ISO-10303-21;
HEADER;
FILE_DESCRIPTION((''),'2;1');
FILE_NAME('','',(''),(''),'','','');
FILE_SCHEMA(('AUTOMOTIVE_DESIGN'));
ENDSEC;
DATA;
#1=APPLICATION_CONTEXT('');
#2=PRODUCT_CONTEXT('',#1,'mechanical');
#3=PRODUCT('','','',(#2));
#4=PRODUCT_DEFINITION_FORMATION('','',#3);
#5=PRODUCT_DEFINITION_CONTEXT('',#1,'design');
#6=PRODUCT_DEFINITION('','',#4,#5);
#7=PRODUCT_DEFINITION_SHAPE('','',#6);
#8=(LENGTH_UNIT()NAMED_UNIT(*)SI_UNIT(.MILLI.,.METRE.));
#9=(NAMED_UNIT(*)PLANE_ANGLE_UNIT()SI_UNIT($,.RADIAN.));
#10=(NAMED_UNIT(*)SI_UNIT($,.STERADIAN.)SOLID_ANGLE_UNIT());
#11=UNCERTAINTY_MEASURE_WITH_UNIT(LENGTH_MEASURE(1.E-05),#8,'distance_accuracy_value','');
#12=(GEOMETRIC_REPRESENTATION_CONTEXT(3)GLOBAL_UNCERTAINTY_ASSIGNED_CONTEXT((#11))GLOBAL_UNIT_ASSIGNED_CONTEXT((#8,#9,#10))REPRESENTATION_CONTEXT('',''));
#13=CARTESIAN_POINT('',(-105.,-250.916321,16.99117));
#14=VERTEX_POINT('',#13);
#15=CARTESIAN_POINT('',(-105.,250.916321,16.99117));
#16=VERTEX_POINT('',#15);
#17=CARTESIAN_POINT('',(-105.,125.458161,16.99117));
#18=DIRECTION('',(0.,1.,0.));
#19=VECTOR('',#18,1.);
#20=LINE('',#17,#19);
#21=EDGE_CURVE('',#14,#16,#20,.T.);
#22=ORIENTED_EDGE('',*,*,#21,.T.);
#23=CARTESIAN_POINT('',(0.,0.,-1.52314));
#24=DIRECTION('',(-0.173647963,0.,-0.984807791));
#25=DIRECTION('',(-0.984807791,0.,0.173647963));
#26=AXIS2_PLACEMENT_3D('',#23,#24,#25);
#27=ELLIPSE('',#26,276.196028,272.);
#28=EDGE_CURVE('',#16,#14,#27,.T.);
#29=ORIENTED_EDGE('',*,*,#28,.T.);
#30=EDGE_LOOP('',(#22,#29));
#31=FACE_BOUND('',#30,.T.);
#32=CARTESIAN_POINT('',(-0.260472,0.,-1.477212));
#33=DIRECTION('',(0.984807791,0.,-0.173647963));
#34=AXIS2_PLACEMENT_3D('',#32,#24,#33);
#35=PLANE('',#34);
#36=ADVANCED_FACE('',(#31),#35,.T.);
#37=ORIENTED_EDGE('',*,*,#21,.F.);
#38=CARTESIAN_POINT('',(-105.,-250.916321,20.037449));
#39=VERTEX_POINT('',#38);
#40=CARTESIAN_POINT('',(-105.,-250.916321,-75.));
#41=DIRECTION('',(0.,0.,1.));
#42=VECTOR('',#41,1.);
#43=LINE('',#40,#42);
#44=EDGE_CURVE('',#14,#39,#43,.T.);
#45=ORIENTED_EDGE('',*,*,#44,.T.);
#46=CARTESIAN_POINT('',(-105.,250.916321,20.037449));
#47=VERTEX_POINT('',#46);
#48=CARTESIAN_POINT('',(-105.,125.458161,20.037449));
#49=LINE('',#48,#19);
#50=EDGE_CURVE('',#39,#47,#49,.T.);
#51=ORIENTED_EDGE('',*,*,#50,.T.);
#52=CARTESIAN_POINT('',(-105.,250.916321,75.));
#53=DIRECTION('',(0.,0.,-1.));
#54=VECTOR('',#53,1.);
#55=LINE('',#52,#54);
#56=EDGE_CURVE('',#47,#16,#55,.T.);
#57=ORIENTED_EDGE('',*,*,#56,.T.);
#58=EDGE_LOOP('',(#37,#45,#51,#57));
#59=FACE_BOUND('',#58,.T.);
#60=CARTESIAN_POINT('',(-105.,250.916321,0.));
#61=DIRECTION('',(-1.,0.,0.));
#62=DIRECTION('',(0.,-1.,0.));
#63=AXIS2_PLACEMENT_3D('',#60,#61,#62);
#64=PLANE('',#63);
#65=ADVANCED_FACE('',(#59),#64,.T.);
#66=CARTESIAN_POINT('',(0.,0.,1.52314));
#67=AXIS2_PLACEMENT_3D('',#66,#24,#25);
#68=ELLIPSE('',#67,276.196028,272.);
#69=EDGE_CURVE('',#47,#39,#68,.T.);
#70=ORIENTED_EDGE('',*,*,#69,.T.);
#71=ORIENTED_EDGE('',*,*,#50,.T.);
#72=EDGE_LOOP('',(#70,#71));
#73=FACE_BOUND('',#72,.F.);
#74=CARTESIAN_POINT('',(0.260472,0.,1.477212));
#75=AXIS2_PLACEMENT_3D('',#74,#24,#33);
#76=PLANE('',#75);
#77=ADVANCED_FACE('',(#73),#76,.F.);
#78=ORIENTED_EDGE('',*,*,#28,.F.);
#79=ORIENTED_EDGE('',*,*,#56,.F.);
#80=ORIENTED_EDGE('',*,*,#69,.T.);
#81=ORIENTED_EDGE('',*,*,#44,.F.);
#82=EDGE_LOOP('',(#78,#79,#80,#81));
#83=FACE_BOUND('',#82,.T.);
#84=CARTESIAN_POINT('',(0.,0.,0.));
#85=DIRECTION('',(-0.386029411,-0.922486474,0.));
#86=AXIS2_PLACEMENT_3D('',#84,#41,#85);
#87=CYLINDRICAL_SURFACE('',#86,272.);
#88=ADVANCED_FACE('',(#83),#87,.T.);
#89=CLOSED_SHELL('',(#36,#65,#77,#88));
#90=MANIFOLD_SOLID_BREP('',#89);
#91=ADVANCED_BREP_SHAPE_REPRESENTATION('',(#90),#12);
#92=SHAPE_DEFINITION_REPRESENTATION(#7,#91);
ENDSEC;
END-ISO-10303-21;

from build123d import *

# Parameters (mm, degrees)
F2_R     = 300
F3_DEPTH = 1.5
F4_DEPTH = 75


with BuildPart() as f3:
    # F2 (on face) → F3 (new body, symmetric)
    with BuildSketch(Plane(origin=(0, 0, 0), x_dir=(0.984808, 0, -0.173648), z_dir=(-0.173648, 0, -0.984808))):
        Circle(F2_R)
    extrude(amount=F3_DEPTH, both=True)

    # F0 (on Top) → F4 (intersect, symmetric)
    with BuildSketch(Plane.XY):
        with BuildLine():
            Line((-105, 250.916321), (-105, -250.916321))
            ThreePointArc((-105, -250.916321), (272, 0), (-105, 250.916321))
        make_face()
    extrude(amount=F4_DEPTH, both=True, mode=Mode.INTERSECT)


solid = f3.part
